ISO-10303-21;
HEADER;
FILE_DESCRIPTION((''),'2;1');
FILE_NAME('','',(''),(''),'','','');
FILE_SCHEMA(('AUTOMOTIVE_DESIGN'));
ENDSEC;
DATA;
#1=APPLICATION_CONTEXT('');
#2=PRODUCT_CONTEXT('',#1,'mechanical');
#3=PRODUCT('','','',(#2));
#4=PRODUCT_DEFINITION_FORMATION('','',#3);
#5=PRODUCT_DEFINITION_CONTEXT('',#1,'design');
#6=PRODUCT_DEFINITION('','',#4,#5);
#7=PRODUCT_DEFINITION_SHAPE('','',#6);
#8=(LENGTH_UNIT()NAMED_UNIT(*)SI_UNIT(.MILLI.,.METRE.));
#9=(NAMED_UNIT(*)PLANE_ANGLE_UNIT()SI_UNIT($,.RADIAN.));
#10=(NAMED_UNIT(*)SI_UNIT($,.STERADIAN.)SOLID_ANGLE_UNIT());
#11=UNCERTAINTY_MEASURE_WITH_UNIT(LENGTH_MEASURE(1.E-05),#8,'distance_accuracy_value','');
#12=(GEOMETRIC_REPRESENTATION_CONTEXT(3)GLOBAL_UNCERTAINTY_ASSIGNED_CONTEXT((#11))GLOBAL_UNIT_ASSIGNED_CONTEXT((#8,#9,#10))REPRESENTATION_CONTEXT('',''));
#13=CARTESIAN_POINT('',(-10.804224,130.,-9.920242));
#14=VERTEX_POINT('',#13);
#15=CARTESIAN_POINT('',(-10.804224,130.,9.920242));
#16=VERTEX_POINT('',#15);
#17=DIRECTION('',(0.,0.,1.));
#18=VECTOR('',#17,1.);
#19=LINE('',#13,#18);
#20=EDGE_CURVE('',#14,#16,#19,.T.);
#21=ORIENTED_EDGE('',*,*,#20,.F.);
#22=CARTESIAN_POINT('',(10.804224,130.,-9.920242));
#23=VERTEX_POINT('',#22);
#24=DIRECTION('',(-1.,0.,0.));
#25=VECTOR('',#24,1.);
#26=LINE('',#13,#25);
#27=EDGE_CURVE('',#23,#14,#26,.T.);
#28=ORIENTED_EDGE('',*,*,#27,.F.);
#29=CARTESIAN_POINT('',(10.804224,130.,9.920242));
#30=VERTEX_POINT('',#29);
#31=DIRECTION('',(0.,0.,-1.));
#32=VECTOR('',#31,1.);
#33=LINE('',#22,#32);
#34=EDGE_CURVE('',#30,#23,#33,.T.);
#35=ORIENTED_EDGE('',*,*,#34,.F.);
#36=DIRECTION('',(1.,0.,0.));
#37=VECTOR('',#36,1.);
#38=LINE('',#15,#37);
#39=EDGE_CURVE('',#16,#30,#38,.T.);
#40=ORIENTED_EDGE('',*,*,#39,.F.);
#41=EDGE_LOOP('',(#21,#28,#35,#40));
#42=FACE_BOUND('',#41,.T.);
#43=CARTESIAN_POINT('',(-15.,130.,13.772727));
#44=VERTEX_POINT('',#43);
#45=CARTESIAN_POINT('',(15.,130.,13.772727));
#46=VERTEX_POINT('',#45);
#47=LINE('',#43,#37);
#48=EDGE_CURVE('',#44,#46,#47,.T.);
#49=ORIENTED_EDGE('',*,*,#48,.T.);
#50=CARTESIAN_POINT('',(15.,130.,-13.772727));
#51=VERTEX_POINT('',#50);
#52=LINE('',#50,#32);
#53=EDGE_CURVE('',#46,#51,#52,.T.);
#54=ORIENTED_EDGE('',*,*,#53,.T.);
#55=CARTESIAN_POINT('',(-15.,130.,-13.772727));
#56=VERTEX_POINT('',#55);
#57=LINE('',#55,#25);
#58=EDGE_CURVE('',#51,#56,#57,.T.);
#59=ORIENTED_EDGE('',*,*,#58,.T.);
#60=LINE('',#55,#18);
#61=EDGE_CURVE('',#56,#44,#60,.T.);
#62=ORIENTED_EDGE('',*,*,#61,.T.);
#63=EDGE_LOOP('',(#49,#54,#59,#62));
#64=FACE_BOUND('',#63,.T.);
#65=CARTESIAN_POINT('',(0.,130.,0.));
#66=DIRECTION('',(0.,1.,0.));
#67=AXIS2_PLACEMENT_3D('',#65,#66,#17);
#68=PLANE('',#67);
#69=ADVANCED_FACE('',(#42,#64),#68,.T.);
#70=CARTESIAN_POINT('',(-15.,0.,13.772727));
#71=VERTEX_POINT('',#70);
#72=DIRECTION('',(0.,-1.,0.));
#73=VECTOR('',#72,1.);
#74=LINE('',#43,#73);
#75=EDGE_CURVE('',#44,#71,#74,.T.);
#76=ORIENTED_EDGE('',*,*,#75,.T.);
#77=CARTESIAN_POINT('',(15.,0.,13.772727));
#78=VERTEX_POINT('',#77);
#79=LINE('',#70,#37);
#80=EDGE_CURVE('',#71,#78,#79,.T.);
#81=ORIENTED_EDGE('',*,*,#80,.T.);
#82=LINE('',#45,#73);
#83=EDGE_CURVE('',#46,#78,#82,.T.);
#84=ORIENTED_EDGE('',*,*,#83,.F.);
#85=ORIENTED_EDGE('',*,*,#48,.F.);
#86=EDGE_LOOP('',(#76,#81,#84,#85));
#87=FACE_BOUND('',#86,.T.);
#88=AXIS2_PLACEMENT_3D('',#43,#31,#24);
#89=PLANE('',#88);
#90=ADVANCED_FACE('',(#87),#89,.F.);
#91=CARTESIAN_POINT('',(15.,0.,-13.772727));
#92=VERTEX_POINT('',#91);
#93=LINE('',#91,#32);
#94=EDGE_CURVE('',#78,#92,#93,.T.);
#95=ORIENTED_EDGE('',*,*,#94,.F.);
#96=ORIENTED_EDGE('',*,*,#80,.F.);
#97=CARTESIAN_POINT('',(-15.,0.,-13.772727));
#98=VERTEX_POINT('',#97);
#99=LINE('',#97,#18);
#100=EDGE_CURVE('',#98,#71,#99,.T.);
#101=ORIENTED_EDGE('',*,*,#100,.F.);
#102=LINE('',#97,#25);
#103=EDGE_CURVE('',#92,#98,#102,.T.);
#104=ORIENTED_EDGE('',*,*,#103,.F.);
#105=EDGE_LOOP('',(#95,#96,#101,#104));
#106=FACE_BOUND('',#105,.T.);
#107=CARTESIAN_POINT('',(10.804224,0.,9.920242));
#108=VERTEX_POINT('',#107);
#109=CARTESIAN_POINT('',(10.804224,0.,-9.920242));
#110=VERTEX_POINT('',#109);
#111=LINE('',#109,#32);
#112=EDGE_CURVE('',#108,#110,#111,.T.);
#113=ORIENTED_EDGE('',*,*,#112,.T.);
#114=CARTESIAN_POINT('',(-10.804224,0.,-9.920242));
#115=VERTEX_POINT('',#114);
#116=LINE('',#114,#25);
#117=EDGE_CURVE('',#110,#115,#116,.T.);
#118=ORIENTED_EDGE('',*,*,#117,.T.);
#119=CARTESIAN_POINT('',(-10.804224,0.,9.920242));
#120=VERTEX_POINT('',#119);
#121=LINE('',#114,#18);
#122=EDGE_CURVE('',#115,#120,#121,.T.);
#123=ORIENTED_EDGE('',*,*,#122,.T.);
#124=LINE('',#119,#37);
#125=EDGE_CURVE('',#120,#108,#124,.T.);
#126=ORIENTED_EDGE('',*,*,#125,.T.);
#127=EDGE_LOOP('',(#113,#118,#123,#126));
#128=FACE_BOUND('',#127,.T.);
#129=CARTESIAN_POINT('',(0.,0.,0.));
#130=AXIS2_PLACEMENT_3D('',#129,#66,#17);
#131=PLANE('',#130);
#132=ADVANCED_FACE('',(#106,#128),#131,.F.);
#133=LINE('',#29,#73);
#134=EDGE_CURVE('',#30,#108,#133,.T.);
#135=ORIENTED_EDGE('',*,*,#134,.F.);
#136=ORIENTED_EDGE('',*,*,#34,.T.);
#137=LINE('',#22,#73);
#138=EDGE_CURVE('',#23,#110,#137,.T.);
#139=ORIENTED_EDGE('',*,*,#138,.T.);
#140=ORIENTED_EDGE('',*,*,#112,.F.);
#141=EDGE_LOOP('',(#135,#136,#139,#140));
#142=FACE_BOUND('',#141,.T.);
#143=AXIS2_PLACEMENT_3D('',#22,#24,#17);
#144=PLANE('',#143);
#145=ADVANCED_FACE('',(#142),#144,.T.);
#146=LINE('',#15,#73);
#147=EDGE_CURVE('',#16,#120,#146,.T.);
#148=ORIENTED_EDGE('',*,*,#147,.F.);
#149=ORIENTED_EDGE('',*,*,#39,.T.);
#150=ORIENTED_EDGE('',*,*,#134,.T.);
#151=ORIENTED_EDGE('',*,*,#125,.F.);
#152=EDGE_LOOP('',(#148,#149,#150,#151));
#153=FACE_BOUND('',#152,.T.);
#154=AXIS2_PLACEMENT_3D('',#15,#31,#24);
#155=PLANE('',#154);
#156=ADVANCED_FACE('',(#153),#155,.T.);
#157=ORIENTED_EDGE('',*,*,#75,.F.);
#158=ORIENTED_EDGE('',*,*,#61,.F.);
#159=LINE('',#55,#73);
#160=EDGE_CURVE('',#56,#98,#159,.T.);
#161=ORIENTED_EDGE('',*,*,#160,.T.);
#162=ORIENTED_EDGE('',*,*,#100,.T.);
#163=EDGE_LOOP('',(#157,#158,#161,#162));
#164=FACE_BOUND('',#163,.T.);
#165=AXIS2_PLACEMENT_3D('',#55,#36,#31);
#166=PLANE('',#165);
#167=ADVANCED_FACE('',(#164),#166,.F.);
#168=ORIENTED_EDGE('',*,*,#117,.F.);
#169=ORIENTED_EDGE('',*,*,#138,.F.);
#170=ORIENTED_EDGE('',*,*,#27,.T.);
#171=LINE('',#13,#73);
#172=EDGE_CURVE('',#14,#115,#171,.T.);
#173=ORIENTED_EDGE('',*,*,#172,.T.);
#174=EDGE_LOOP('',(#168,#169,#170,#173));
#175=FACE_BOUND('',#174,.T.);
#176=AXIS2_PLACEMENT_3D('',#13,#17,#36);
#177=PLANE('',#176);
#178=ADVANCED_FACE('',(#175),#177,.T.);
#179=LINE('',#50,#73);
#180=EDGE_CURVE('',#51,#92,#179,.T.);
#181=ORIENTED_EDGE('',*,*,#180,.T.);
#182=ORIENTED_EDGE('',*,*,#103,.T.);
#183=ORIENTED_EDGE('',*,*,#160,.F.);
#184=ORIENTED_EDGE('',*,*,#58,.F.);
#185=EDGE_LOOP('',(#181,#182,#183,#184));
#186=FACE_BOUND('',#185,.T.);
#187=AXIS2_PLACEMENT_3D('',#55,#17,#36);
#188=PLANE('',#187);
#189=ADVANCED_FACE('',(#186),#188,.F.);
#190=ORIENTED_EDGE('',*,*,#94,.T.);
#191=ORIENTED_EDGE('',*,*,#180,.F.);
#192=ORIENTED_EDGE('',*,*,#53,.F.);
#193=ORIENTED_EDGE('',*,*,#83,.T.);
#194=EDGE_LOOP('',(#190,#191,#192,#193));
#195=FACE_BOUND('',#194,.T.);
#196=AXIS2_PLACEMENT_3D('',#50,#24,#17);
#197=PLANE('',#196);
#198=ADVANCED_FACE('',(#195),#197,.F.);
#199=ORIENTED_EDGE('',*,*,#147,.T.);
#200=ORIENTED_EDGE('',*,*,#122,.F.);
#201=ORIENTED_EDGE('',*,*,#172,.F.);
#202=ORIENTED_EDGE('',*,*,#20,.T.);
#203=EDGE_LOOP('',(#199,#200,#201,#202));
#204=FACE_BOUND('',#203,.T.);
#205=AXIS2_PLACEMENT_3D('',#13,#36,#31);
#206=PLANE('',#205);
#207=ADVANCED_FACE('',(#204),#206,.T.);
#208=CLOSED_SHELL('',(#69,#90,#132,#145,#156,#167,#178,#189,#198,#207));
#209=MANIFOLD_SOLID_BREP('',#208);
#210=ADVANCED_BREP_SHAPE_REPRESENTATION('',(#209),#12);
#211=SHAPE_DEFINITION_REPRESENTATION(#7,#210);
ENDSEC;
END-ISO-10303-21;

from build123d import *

# Parameters (mm, degrees)
CROQUIS1_W              = 30
CROQUIS1_H              = 27.545454546
CROQUIS1_W_2            = 21.608448052
CROQUIS1_H_2            = 19.84048412
SALIENTE_EXTRUIR1_DEPTH = 130


with BuildPart() as part:
    # Croquis1 → Saliente-Extruir1 (new body)
    with BuildSketch(Plane(origin=(0, 0, 0), x_dir=(1, 0, 0), z_dir=(0, 1, 0))):
        Rectangle(CROQUIS1_W, CROQUIS1_H)
        Rectangle(CROQUIS1_W_2, CROQUIS1_H_2, mode=Mode.SUBTRACT)
    extrude(amount=SALIENTE_EXTRUIR1_DEPTH)


solid = part.part
